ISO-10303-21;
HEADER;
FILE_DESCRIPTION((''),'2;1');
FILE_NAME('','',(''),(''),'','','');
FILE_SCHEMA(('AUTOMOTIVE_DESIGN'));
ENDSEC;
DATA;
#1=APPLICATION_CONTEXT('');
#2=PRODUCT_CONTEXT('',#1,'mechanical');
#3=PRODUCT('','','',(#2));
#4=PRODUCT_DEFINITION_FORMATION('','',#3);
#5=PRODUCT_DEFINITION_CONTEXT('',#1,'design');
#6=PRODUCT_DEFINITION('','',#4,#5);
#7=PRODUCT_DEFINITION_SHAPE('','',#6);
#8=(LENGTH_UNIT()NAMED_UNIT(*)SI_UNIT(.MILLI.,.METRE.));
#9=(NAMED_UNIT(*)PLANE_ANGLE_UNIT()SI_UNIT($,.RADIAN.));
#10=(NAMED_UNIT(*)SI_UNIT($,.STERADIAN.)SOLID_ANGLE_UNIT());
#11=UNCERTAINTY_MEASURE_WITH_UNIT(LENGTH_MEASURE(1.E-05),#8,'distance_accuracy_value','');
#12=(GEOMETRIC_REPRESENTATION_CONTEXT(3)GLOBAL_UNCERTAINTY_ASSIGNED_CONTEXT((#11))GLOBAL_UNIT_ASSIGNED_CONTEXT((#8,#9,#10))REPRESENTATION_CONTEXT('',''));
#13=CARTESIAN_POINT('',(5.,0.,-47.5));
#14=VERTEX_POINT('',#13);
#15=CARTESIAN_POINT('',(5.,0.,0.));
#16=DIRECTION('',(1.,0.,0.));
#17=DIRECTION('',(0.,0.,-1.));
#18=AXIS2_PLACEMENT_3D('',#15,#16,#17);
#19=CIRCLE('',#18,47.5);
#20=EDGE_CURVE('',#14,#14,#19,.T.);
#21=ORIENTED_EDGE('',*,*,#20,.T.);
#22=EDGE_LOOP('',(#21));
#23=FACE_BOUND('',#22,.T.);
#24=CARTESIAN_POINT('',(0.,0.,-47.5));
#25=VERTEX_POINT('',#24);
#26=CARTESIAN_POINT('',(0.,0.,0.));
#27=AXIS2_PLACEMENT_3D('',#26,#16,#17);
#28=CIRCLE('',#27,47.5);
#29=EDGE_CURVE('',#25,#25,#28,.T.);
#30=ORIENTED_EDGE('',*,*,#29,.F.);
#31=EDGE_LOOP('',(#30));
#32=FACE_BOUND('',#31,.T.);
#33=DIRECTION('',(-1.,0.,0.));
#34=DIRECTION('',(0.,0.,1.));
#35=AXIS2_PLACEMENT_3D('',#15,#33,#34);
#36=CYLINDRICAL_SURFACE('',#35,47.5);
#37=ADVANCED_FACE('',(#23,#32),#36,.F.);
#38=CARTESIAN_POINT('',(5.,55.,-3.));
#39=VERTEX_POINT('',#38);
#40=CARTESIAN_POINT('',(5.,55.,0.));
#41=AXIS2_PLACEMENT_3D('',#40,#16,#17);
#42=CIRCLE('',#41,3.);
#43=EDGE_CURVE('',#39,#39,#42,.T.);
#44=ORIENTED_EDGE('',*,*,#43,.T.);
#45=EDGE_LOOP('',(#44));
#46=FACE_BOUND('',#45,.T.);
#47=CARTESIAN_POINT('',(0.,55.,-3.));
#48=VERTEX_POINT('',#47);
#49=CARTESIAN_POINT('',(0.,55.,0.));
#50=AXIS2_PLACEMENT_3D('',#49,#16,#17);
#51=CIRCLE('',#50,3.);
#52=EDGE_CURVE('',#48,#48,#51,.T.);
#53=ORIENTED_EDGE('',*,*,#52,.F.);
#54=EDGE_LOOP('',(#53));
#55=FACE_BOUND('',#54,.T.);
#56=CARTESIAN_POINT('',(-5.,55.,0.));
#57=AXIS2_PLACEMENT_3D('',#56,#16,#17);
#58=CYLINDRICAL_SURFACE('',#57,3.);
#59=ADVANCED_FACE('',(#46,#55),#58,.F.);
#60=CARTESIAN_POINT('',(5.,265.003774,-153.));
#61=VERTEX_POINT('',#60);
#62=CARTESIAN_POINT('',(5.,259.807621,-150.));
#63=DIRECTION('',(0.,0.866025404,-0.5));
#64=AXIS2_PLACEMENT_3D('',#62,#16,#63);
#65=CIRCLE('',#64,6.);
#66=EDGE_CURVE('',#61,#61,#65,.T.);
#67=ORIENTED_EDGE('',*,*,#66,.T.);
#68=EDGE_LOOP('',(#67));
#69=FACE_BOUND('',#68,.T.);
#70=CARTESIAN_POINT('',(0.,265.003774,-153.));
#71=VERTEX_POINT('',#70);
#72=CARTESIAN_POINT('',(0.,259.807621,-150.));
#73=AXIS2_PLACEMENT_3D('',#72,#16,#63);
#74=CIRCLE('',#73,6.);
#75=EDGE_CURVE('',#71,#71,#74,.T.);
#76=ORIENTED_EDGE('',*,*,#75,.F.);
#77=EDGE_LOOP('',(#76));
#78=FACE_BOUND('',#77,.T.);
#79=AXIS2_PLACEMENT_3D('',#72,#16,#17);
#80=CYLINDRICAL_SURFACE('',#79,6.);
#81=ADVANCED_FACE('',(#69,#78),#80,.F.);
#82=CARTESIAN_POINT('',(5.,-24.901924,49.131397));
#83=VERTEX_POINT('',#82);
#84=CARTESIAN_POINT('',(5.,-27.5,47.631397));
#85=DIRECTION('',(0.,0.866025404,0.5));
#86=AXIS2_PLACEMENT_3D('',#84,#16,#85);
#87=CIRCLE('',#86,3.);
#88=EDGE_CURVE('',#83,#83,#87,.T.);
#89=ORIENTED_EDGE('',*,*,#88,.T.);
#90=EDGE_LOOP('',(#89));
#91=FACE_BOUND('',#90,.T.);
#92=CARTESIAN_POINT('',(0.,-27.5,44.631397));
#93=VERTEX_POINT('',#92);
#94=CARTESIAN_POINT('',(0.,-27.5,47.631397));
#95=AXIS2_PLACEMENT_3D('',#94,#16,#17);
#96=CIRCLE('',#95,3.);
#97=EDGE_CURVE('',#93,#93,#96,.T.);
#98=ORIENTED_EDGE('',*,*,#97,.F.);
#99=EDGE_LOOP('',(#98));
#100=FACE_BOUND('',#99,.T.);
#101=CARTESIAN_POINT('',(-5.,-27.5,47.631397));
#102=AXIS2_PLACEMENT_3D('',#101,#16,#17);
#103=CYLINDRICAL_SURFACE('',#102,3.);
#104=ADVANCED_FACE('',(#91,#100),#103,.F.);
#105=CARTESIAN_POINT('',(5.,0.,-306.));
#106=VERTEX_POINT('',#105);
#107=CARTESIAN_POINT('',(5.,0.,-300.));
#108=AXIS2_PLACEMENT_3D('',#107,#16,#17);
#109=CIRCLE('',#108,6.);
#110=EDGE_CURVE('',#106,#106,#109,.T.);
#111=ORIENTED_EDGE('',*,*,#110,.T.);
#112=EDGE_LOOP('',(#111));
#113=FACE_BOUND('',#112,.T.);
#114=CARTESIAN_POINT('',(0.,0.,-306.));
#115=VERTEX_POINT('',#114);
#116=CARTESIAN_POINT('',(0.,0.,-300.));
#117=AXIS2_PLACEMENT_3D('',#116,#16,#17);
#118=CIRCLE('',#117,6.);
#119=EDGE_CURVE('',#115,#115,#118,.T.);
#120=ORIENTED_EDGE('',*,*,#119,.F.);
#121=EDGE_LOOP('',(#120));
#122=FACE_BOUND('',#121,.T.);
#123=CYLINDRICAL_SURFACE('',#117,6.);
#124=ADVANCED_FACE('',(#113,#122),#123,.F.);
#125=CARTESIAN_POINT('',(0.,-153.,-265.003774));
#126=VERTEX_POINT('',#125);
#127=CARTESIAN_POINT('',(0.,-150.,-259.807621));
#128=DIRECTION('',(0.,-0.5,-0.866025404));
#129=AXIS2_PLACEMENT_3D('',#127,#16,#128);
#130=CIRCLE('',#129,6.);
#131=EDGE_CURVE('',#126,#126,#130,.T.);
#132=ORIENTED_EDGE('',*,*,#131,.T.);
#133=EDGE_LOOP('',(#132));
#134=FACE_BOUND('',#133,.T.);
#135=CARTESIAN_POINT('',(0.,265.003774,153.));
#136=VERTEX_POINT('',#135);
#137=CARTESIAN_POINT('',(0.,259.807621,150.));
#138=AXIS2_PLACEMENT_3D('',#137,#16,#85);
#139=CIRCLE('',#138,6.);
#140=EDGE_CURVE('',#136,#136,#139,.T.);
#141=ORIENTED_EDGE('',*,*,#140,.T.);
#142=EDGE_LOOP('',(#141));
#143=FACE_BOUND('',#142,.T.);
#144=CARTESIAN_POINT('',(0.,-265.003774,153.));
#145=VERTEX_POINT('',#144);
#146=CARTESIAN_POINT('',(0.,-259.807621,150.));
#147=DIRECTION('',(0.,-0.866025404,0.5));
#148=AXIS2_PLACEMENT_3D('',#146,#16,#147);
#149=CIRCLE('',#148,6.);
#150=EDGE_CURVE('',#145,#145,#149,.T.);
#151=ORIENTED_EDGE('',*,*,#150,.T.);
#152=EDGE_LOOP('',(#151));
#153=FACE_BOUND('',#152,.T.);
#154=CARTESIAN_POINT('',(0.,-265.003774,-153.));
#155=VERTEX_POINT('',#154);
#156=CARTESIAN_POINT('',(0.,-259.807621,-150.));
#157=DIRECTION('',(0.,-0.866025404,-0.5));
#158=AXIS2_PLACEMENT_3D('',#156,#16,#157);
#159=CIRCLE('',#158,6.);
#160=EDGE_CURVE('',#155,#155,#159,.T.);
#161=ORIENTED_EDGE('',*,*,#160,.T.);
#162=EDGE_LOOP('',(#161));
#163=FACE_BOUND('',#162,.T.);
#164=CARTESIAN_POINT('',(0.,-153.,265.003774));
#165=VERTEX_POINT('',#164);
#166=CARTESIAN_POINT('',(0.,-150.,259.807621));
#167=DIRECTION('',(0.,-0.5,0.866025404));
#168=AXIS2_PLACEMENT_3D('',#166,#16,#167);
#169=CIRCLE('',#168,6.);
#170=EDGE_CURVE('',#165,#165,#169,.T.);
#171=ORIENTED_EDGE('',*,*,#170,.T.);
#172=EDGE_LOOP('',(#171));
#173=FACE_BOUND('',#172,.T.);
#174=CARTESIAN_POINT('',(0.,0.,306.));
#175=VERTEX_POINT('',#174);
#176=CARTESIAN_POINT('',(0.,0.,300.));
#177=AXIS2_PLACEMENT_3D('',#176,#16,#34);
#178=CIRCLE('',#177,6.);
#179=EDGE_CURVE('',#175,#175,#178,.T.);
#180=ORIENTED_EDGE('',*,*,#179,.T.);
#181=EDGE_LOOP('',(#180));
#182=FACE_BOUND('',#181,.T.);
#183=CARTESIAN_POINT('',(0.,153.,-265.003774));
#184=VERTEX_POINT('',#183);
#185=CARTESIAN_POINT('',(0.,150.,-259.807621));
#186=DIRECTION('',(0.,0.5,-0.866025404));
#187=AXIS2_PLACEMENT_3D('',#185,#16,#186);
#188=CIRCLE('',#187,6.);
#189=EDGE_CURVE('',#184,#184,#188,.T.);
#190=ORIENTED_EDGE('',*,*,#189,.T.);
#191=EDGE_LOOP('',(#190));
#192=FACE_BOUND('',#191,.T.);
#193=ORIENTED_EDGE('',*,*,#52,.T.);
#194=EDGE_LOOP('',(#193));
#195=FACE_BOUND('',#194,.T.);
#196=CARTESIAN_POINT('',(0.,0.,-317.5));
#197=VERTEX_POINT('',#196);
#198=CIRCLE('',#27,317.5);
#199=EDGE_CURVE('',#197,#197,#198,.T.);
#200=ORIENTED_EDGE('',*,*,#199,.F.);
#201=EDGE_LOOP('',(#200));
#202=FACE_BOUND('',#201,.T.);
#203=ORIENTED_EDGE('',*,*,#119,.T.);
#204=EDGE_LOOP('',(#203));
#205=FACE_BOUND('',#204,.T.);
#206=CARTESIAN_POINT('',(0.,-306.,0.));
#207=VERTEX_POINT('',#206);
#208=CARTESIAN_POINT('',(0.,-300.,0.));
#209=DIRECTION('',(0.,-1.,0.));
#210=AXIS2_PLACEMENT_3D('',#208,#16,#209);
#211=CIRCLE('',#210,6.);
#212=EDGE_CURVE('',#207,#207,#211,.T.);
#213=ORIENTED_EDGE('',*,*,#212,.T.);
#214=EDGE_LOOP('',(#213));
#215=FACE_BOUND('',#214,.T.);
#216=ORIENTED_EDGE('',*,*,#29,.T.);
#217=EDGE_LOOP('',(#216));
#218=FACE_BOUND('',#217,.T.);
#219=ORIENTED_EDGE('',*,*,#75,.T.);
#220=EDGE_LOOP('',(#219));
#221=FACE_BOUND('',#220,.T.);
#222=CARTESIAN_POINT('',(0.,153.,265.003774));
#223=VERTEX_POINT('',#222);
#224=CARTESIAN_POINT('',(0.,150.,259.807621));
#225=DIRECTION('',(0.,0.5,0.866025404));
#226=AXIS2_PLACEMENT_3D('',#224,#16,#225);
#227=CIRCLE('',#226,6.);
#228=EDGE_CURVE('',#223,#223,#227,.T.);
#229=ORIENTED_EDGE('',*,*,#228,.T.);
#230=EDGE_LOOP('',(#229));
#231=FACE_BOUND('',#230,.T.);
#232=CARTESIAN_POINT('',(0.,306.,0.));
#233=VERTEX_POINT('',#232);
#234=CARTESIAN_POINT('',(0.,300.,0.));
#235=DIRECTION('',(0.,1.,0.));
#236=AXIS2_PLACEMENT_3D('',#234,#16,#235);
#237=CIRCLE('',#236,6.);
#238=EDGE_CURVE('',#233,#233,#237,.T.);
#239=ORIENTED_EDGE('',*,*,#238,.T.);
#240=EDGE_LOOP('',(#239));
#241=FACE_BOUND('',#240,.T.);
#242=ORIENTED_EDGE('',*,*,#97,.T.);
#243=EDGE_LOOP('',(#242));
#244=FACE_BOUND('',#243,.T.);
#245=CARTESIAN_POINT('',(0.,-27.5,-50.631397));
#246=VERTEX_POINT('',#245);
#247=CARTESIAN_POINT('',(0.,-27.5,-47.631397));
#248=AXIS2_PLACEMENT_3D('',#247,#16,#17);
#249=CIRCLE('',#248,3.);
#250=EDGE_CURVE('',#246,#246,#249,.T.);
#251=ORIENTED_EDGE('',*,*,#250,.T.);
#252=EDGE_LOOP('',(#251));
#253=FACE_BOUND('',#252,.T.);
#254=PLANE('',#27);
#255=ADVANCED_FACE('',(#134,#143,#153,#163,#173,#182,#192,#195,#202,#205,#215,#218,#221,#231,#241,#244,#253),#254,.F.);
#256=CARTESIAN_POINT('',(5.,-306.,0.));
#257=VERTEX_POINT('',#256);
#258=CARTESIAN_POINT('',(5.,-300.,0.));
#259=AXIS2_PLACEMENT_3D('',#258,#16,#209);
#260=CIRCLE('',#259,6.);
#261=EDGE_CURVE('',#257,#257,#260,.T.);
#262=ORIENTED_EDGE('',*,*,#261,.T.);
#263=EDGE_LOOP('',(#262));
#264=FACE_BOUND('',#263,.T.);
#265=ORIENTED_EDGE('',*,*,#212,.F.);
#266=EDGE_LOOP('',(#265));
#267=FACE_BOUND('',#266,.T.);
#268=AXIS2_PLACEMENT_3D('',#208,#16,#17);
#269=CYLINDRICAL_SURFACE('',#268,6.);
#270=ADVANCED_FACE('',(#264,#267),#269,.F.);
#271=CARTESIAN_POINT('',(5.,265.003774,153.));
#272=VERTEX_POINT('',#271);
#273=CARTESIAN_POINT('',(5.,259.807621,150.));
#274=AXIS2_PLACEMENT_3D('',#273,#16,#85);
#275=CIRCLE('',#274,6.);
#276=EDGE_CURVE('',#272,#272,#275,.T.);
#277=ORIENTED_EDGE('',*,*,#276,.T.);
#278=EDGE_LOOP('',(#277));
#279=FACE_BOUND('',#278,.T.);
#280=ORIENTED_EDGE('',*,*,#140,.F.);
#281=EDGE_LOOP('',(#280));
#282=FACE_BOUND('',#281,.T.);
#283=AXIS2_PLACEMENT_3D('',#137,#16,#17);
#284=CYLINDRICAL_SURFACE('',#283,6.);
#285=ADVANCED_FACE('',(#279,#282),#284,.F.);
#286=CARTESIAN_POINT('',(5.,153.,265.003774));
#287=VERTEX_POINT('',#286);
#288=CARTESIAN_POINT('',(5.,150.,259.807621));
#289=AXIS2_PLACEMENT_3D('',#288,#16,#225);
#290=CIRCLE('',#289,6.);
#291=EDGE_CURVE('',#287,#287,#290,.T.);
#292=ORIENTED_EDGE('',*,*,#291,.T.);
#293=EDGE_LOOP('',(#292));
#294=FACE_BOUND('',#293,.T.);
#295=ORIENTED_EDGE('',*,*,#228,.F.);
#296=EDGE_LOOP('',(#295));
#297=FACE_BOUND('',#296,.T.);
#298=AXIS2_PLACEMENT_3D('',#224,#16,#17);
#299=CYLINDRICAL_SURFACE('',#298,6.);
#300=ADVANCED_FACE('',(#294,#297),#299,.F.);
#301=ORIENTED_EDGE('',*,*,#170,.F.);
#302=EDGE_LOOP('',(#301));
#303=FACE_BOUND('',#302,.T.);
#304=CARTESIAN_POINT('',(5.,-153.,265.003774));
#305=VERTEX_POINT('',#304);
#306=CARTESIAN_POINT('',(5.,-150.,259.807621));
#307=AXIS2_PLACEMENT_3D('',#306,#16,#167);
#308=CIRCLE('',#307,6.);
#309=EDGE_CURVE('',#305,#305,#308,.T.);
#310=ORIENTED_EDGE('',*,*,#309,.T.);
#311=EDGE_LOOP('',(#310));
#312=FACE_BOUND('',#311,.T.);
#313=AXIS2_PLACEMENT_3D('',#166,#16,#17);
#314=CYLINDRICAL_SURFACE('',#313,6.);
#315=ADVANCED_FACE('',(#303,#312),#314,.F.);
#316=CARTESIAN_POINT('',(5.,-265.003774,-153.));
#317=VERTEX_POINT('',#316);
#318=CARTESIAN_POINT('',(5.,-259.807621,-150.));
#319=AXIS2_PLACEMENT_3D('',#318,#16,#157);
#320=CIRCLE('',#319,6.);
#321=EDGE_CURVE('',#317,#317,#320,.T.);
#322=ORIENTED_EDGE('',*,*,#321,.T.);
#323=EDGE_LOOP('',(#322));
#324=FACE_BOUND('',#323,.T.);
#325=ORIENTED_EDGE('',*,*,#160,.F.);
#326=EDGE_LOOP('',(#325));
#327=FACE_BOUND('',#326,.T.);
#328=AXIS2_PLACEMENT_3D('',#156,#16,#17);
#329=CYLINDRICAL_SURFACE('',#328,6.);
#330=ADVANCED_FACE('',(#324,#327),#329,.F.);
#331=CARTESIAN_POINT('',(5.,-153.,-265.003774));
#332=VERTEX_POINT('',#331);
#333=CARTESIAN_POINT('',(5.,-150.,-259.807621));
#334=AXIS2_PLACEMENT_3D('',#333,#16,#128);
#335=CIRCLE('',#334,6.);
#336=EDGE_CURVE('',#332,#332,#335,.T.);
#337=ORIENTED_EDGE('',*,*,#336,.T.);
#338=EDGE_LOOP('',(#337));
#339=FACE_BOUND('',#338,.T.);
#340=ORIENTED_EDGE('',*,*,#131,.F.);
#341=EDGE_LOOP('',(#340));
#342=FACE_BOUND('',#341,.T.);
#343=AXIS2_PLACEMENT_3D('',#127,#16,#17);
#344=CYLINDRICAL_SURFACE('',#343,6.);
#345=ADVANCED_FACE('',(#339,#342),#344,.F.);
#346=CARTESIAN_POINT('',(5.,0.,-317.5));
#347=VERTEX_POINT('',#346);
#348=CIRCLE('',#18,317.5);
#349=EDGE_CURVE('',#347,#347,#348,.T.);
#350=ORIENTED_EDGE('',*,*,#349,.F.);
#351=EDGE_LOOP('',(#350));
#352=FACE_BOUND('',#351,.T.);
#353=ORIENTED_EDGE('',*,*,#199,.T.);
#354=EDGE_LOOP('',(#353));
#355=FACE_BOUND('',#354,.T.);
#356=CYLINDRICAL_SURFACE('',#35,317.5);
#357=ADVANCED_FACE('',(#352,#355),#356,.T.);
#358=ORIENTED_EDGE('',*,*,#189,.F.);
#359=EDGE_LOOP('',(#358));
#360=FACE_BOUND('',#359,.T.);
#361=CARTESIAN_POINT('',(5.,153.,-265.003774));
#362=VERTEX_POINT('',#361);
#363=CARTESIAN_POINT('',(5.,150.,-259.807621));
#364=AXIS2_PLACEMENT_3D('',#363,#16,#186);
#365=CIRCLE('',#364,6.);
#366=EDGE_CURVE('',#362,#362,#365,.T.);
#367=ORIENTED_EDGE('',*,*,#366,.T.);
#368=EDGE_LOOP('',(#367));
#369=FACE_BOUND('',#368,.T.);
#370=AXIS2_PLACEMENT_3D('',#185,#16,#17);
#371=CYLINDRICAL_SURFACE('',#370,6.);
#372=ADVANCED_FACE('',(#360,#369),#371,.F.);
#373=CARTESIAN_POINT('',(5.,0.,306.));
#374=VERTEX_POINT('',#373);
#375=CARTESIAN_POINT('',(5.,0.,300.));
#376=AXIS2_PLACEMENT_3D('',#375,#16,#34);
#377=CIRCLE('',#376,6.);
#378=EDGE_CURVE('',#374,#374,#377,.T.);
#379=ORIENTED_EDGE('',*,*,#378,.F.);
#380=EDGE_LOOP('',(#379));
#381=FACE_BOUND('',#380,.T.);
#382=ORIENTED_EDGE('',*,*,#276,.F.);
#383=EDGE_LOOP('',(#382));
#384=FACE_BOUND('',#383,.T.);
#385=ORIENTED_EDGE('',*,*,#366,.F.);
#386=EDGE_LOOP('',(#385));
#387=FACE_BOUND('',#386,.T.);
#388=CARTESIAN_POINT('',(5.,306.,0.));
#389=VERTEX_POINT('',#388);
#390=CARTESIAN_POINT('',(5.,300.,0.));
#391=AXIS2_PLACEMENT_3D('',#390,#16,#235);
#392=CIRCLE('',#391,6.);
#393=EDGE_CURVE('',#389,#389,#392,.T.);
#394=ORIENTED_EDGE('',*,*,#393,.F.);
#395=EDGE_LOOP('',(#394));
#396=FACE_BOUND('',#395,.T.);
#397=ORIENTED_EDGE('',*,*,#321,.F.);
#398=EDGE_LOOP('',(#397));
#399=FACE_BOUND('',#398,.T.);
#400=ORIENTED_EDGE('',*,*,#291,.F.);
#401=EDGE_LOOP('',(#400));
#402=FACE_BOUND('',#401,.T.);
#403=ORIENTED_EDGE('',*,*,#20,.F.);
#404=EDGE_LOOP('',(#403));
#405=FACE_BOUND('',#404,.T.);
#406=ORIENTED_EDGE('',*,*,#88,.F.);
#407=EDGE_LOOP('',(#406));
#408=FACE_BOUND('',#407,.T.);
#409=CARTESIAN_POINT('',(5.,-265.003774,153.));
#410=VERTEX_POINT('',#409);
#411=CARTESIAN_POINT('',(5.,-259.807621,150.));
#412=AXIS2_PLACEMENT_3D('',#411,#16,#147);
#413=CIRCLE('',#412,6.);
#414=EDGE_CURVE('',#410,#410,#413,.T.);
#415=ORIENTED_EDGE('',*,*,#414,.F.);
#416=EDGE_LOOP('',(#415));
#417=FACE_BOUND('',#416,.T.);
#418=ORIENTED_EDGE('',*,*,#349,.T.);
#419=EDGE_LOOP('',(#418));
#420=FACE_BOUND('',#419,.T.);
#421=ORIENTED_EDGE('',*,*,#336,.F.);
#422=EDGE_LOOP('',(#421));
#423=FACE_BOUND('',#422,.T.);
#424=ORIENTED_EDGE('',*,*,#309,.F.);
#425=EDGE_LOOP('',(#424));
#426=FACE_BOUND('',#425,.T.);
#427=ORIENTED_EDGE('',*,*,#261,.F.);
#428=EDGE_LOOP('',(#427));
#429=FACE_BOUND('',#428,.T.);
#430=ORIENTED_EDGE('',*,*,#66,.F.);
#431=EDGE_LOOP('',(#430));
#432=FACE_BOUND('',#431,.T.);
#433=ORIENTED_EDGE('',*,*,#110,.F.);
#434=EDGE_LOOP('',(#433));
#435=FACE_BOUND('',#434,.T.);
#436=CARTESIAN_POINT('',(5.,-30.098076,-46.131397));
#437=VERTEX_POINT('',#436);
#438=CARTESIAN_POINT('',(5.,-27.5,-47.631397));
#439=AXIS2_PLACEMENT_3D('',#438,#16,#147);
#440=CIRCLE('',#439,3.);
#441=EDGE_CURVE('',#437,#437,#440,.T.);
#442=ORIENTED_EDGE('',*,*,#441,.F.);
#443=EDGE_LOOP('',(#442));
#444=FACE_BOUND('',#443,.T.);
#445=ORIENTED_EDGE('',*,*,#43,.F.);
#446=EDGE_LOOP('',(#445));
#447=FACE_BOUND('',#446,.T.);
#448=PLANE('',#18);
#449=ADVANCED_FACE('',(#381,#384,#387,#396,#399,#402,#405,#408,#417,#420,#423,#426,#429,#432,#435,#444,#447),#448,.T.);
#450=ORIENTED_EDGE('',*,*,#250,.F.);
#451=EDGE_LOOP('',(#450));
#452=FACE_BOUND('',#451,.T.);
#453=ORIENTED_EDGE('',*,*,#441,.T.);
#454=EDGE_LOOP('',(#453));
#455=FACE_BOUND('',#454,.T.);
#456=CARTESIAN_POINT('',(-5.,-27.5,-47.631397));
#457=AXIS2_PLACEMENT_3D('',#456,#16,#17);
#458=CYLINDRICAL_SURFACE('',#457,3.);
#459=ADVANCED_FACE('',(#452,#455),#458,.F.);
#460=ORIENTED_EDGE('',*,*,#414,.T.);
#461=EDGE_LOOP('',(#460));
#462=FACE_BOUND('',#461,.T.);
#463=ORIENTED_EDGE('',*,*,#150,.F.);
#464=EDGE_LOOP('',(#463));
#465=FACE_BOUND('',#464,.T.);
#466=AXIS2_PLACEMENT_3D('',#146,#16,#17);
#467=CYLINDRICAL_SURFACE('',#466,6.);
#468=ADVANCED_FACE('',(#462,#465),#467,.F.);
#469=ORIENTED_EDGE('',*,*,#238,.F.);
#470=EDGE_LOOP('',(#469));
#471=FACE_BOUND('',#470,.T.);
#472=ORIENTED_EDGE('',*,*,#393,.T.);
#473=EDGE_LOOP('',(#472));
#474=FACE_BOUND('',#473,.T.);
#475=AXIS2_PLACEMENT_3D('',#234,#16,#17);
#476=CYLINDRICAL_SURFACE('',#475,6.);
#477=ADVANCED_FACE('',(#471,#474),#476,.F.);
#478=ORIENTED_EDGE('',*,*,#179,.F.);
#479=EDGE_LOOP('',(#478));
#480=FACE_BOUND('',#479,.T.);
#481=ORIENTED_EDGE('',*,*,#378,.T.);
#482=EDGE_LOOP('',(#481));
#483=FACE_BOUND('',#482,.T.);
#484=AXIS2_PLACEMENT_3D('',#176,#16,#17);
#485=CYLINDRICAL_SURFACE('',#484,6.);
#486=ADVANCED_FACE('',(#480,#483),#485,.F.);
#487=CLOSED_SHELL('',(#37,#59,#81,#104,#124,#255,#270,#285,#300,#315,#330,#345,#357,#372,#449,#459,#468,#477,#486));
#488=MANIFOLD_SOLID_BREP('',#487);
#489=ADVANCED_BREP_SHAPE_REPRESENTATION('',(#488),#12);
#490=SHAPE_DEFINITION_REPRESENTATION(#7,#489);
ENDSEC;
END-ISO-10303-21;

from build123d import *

# Parameters (mm, degrees)
SKETCH1_R           = 317.5
SKETCH1_R_2         = 47.5
BOSS_EXTRUDE1_DEPTH = 5
SKETCH2_R           = 6
CUT_EXTRUDE1_DEPTH  = 5
CIRPATTERN1_COUNT   = 12
SKETCH6_R           = 3
CUT_EXTRUDE2_DEPTH  = 10
CIRPATTERN2_COUNT   = 3


with BuildPart() as part:
    # Sketch1 → Boss-Extrude1 (new body)
    with BuildSketch(Plane(origin=(0, 0, 0), x_dir=(0, 0, -1), z_dir=(1, 0, 0))):
        Circle(SKETCH1_R)
        Circle(SKETCH1_R_2, mode=Mode.SUBTRACT)
    extrude(amount=BOSS_EXTRUDE1_DEPTH)

    # Sketch2 → Cut-Extrude1 (cut)
    with BuildSketch(Plane(origin=(5, 0, 0), x_dir=(0, 0, -1), z_dir=(1, 0, 0))):
        with Locations((300, 0)):
            Circle(SKETCH2_R)
    cut_extrude1 = extrude(amount=-CUT_EXTRUDE1_DEPTH, mode=Mode.SUBTRACT)

    # CirPattern1: Cut-Extrude1 ×12 about axis
    cirpattern1_axis = Axis((0, 0, 0), (1, 0, 0))
    for i in range(1, CIRPATTERN1_COUNT):
        add(cut_extrude1.rotate(cirpattern1_axis, i * 360 / CIRPATTERN1_COUNT), mode=Mode.SUBTRACT)

    # Sketch6 → Cut-Extrude2 (cut)
    with BuildSketch(Plane(origin=(5, 0, 0), x_dir=(0, 0, -1), z_dir=(1, 0, 0))):
        with Locations((0, 55)):
            Circle(SKETCH6_R)
    cut_extrude2 = extrude(amount=-CUT_EXTRUDE2_DEPTH, mode=Mode.SUBTRACT)

    # CirPattern2: Cut-Extrude2 ×3 about axis
    cirpattern2_axis = Axis((0, 0, 0), (1, 0, 0))
    for i in range(1, CIRPATTERN2_COUNT):
        add(cut_extrude2.rotate(cirpattern2_axis, i * 360 / CIRPATTERN2_COUNT), mode=Mode.SUBTRACT)


solid = part.part
